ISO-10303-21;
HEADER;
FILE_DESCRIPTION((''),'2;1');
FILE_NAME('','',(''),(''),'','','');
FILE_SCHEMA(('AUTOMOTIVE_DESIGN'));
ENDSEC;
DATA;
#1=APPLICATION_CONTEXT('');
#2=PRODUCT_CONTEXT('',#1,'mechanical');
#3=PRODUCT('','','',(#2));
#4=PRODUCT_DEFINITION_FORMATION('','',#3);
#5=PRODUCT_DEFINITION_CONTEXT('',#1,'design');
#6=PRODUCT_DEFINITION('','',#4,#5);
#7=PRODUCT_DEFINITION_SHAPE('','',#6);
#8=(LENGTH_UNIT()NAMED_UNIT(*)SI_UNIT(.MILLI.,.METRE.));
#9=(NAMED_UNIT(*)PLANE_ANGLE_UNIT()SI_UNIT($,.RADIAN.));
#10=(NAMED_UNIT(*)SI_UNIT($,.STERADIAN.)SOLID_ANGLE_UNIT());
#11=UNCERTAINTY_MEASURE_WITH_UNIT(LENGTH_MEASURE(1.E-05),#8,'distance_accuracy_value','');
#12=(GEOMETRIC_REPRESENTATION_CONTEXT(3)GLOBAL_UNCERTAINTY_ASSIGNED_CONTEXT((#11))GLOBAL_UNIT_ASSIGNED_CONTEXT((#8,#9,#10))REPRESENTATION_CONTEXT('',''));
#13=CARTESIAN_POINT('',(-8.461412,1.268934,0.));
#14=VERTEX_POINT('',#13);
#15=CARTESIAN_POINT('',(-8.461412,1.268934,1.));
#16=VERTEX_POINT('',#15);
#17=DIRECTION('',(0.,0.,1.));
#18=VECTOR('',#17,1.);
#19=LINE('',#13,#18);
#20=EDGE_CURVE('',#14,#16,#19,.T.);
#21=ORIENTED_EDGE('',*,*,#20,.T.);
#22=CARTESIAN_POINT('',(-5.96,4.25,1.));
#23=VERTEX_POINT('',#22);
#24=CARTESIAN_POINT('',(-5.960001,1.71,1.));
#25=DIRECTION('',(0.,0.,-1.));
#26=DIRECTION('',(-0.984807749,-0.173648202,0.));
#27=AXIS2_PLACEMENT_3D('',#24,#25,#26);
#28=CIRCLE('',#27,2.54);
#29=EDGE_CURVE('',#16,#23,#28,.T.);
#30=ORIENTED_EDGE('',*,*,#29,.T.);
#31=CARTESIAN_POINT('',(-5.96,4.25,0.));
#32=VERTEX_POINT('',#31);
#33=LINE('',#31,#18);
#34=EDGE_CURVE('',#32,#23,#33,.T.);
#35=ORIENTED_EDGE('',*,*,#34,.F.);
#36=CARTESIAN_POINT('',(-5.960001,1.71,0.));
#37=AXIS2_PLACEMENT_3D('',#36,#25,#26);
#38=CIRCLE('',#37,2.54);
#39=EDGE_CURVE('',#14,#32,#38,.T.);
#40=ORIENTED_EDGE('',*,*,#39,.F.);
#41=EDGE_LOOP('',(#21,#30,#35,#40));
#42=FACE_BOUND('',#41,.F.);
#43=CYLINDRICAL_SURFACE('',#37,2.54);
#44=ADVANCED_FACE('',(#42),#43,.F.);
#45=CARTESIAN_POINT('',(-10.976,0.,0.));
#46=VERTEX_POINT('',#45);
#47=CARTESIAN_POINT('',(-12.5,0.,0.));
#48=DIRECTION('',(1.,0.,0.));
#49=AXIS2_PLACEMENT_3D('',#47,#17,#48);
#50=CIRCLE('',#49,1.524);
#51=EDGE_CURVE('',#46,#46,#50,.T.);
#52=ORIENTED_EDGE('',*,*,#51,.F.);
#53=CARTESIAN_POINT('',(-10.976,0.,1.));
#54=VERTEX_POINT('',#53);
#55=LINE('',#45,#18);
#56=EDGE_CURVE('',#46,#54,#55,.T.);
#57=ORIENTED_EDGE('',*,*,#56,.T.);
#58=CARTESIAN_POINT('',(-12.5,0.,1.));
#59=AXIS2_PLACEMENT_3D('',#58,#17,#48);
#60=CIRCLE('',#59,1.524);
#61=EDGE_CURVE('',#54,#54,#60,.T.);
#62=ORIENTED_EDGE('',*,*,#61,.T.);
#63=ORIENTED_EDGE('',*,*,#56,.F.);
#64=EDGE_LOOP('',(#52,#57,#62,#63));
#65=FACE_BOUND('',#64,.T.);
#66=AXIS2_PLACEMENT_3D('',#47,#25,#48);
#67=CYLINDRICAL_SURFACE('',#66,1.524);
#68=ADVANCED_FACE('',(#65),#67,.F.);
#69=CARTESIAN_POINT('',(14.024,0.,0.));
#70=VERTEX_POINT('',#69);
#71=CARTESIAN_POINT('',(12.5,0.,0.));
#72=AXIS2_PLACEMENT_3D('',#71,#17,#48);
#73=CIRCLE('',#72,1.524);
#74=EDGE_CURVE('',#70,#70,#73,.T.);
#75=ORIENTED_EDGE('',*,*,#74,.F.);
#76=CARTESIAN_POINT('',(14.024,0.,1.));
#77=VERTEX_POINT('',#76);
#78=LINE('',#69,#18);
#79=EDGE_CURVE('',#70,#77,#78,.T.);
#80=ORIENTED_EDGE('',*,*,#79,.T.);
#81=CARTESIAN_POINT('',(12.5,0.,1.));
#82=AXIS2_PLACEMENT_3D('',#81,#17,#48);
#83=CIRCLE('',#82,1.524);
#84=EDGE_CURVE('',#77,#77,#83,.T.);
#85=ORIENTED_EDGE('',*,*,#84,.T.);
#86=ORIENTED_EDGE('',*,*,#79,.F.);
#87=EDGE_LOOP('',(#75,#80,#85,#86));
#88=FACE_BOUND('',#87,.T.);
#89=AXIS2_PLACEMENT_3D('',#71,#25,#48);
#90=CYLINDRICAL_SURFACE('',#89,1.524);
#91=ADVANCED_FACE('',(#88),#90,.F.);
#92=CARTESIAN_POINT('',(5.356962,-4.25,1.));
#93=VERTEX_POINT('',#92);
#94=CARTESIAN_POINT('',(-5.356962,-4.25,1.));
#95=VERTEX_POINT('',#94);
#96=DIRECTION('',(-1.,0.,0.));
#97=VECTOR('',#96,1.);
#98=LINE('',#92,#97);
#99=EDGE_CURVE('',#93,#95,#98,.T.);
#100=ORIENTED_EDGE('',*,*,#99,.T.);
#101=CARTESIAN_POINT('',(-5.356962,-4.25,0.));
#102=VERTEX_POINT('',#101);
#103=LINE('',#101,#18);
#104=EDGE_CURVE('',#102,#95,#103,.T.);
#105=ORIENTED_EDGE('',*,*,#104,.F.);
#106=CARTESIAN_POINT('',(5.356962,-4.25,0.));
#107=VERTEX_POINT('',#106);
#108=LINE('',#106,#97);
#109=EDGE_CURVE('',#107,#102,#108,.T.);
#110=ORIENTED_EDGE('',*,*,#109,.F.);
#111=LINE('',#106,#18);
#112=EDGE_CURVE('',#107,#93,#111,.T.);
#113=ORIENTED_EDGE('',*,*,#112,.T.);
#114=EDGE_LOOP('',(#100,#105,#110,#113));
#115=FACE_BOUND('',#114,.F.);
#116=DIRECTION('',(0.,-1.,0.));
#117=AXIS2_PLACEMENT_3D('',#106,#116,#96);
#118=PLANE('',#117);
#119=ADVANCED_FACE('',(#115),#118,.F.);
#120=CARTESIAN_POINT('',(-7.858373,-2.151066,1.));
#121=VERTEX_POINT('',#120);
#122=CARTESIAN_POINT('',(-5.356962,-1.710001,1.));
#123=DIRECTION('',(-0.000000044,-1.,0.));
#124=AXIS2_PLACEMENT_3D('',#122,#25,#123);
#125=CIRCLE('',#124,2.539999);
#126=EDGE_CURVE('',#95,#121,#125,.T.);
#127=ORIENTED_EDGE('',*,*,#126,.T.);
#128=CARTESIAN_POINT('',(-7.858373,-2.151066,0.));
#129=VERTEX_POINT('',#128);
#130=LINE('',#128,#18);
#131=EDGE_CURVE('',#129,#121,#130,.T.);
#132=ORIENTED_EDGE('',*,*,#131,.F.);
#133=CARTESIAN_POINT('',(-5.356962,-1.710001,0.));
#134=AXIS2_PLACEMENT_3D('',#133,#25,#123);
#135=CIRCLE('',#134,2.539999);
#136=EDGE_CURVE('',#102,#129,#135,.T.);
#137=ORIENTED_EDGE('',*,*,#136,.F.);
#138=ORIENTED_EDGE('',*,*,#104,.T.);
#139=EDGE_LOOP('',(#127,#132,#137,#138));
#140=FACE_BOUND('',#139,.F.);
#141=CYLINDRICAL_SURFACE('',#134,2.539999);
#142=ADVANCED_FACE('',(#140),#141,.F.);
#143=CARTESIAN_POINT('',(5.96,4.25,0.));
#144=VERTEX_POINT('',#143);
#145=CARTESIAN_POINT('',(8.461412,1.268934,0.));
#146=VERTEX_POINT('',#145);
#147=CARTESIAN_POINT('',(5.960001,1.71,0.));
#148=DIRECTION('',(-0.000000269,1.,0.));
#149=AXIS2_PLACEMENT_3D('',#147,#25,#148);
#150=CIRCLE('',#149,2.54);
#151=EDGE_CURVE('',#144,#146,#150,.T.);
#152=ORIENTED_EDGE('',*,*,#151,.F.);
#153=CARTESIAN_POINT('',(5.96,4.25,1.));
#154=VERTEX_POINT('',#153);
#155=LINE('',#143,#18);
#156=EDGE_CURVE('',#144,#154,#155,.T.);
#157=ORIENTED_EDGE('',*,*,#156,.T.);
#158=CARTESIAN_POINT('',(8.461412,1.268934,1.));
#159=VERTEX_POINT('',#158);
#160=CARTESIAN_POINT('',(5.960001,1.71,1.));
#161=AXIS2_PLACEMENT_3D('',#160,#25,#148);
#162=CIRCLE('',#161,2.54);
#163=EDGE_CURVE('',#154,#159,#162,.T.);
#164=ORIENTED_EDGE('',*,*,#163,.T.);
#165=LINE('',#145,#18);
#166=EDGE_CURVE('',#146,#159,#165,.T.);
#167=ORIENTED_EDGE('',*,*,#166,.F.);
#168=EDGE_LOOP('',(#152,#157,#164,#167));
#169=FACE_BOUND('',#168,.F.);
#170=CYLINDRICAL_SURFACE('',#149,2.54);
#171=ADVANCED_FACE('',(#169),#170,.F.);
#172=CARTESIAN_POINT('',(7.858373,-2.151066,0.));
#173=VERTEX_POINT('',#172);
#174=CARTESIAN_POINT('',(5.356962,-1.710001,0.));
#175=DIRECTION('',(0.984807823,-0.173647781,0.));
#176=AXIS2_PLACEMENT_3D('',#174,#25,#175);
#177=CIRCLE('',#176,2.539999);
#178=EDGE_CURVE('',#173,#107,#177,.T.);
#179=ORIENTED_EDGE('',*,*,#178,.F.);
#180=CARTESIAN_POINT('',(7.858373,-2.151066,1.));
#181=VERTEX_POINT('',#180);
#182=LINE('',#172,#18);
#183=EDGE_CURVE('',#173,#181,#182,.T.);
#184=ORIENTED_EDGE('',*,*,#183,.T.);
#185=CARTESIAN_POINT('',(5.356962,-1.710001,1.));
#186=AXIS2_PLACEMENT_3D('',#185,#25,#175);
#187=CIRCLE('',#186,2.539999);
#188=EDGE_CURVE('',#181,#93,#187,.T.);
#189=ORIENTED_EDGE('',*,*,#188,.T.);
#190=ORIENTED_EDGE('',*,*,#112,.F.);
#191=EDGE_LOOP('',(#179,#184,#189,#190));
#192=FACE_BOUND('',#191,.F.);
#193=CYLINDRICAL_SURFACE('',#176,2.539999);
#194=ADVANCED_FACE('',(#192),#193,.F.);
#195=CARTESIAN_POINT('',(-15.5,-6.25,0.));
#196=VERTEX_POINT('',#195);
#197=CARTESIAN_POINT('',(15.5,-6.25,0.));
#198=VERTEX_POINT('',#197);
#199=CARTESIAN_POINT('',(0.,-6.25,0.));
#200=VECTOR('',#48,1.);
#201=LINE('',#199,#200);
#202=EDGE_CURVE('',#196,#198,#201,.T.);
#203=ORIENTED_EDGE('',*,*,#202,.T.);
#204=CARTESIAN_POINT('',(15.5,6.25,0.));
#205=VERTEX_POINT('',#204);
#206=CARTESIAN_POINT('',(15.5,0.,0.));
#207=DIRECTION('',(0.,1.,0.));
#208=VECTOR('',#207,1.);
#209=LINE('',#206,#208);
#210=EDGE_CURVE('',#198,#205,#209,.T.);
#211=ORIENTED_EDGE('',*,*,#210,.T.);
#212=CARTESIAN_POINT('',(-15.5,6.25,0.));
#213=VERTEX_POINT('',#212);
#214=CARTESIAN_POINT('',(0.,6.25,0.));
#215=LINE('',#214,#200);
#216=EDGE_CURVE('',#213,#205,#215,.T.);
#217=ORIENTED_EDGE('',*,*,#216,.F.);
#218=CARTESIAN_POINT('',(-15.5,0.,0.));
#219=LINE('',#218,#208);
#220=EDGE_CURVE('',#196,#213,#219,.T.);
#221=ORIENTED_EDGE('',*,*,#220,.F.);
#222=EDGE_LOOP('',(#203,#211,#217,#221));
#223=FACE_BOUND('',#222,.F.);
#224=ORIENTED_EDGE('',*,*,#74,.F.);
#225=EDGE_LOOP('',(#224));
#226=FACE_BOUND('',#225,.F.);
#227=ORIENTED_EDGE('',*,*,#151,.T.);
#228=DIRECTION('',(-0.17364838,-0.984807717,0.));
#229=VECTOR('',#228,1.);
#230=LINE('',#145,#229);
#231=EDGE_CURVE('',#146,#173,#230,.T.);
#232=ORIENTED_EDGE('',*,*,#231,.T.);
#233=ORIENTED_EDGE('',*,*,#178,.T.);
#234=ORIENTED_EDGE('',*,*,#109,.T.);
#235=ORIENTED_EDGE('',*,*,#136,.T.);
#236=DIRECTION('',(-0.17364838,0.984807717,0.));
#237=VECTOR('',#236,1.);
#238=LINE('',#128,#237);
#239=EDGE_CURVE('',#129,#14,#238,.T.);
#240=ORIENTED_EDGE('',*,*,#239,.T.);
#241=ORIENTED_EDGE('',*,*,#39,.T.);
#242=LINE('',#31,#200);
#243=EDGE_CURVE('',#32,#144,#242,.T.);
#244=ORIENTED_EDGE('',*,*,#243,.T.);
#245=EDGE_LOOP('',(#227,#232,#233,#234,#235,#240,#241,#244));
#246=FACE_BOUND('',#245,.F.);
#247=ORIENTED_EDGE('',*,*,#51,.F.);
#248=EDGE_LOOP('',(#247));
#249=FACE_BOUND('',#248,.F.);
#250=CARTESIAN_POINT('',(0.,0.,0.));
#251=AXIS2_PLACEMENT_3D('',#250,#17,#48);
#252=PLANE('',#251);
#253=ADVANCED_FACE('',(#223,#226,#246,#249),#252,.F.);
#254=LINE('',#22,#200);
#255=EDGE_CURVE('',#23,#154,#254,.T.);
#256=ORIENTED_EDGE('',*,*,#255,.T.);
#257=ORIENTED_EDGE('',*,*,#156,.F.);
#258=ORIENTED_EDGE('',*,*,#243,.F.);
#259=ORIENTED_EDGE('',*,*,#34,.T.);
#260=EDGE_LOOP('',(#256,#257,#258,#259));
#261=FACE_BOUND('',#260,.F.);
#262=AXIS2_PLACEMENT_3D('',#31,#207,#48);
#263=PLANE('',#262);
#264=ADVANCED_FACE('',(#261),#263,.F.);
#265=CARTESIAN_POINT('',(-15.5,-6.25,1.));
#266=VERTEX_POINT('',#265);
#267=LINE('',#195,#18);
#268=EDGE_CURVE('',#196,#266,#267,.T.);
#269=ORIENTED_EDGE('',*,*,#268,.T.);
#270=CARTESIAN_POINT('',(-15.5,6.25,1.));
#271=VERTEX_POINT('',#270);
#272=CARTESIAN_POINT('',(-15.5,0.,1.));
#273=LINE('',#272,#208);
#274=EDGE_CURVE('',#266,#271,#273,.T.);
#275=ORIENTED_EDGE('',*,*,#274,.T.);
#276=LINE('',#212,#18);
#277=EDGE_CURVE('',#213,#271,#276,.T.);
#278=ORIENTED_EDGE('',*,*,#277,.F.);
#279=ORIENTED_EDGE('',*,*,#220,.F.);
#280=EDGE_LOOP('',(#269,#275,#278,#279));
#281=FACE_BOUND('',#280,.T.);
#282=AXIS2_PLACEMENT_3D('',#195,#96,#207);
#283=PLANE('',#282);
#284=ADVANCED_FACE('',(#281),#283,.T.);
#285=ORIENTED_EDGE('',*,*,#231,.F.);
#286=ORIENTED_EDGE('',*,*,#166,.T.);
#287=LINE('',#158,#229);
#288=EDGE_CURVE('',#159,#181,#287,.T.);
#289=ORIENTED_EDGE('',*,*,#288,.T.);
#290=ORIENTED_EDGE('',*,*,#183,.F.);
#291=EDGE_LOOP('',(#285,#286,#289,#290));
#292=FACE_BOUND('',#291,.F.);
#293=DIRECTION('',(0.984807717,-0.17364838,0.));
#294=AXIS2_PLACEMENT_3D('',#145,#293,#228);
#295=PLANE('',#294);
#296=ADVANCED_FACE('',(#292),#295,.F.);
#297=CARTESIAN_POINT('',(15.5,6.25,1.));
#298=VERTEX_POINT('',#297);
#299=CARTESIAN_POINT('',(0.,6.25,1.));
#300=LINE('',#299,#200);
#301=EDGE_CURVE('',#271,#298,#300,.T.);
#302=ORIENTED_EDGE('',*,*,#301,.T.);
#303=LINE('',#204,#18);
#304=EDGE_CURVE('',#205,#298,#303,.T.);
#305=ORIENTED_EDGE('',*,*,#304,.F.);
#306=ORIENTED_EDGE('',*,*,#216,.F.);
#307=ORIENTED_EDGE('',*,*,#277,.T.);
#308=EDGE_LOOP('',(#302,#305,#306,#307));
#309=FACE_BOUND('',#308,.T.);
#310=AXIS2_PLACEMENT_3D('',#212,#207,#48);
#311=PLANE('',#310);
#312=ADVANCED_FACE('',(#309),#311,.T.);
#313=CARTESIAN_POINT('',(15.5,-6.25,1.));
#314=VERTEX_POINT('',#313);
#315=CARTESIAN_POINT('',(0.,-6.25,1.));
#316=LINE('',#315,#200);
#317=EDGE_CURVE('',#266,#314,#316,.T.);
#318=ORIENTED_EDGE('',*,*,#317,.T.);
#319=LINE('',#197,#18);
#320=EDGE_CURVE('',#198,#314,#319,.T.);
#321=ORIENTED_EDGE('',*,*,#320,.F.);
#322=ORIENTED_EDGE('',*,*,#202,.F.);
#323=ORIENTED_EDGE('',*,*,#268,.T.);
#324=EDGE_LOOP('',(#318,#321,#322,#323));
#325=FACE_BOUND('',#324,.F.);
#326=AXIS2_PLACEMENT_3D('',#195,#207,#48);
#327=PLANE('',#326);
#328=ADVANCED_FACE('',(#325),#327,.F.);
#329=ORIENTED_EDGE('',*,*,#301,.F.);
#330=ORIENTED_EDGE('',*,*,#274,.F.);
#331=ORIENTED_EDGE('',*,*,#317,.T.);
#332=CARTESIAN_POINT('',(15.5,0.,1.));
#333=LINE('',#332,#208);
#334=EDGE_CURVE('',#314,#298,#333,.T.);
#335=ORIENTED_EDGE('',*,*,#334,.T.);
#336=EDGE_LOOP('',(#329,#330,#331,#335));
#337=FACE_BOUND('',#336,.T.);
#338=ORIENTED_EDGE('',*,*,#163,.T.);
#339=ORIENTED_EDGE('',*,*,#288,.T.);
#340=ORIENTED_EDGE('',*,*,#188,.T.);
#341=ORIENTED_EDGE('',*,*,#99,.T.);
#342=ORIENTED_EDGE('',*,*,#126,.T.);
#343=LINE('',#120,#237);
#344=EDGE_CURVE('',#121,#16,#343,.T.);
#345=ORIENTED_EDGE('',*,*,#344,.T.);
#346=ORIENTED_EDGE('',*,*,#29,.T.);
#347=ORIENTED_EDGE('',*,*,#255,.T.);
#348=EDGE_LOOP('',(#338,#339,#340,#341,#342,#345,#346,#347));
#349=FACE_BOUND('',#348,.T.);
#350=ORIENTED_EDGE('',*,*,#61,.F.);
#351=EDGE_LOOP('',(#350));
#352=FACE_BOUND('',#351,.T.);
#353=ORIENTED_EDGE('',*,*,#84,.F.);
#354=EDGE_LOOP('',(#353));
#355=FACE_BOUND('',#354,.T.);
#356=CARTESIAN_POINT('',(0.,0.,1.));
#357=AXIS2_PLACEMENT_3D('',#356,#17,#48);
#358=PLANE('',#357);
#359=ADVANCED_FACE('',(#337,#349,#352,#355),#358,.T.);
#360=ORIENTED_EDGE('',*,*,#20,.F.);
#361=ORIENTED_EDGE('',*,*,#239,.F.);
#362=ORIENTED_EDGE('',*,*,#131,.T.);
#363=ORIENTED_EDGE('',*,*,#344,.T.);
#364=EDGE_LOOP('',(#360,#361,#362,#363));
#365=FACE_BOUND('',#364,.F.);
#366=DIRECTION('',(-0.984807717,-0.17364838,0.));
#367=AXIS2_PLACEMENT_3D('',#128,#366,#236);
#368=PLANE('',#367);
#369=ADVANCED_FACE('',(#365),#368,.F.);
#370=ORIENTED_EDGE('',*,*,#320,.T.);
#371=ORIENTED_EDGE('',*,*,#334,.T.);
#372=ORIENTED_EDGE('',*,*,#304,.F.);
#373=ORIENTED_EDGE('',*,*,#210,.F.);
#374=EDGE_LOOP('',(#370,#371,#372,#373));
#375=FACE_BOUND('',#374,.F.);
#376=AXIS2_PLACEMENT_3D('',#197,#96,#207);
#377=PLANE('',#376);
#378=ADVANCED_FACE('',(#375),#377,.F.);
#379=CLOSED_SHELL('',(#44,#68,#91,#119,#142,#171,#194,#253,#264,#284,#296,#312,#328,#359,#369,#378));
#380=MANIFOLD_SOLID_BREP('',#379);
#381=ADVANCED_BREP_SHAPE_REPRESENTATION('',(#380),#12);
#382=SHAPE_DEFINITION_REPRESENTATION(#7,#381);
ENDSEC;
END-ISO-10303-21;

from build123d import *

# Parameters (mm, degrees)
F0_W     = 31
F0_H     = 12.5
F0_R     = 1.524
F1_DEPTH = 1


with BuildPart() as f1:
    # F0 (on Top) → F1 (new body)
    with BuildSketch(Plane.XY):
        Rectangle(F0_W, F0_H)
        with Locations((-12.5, 0)):
            Circle(F0_R, mode=Mode.SUBTRACT)
        with BuildLine():
            ThreePointArc((-8.461412, 1.268934), (-7.905753, 3.342681), (-5.96, 4.25))
            Line((-5.96, 4.25), (0, 4.25))
            Line((0, 4.25), (5.96, 4.25))
            ThreePointArc((5.96, 4.25), (7.905753, 3.342681), (8.461412, 1.268934))
            Line((8.461412, 1.268934), (7.858373, -2.151066))
            ThreePointArc((7.858373, -2.151066), (6.989642, -3.655753), (5.356962, -4.25))
            Line((5.356962, -4.25), (0, -4.25))
            Line((0, -4.25), (-5.356962, -4.25))
            ThreePointArc((-5.356962, -4.25), (-6.989642, -3.655753), (-7.858373, -2.151066))
            Line((-7.858373, -2.151066), (-8.461412, 1.268934))
        make_face(mode=Mode.SUBTRACT)
        with Locations((12.5, 0)):
            Circle(F0_R, mode=Mode.SUBTRACT)
    extrude(amount=F1_DEPTH)


solid = f1.part
